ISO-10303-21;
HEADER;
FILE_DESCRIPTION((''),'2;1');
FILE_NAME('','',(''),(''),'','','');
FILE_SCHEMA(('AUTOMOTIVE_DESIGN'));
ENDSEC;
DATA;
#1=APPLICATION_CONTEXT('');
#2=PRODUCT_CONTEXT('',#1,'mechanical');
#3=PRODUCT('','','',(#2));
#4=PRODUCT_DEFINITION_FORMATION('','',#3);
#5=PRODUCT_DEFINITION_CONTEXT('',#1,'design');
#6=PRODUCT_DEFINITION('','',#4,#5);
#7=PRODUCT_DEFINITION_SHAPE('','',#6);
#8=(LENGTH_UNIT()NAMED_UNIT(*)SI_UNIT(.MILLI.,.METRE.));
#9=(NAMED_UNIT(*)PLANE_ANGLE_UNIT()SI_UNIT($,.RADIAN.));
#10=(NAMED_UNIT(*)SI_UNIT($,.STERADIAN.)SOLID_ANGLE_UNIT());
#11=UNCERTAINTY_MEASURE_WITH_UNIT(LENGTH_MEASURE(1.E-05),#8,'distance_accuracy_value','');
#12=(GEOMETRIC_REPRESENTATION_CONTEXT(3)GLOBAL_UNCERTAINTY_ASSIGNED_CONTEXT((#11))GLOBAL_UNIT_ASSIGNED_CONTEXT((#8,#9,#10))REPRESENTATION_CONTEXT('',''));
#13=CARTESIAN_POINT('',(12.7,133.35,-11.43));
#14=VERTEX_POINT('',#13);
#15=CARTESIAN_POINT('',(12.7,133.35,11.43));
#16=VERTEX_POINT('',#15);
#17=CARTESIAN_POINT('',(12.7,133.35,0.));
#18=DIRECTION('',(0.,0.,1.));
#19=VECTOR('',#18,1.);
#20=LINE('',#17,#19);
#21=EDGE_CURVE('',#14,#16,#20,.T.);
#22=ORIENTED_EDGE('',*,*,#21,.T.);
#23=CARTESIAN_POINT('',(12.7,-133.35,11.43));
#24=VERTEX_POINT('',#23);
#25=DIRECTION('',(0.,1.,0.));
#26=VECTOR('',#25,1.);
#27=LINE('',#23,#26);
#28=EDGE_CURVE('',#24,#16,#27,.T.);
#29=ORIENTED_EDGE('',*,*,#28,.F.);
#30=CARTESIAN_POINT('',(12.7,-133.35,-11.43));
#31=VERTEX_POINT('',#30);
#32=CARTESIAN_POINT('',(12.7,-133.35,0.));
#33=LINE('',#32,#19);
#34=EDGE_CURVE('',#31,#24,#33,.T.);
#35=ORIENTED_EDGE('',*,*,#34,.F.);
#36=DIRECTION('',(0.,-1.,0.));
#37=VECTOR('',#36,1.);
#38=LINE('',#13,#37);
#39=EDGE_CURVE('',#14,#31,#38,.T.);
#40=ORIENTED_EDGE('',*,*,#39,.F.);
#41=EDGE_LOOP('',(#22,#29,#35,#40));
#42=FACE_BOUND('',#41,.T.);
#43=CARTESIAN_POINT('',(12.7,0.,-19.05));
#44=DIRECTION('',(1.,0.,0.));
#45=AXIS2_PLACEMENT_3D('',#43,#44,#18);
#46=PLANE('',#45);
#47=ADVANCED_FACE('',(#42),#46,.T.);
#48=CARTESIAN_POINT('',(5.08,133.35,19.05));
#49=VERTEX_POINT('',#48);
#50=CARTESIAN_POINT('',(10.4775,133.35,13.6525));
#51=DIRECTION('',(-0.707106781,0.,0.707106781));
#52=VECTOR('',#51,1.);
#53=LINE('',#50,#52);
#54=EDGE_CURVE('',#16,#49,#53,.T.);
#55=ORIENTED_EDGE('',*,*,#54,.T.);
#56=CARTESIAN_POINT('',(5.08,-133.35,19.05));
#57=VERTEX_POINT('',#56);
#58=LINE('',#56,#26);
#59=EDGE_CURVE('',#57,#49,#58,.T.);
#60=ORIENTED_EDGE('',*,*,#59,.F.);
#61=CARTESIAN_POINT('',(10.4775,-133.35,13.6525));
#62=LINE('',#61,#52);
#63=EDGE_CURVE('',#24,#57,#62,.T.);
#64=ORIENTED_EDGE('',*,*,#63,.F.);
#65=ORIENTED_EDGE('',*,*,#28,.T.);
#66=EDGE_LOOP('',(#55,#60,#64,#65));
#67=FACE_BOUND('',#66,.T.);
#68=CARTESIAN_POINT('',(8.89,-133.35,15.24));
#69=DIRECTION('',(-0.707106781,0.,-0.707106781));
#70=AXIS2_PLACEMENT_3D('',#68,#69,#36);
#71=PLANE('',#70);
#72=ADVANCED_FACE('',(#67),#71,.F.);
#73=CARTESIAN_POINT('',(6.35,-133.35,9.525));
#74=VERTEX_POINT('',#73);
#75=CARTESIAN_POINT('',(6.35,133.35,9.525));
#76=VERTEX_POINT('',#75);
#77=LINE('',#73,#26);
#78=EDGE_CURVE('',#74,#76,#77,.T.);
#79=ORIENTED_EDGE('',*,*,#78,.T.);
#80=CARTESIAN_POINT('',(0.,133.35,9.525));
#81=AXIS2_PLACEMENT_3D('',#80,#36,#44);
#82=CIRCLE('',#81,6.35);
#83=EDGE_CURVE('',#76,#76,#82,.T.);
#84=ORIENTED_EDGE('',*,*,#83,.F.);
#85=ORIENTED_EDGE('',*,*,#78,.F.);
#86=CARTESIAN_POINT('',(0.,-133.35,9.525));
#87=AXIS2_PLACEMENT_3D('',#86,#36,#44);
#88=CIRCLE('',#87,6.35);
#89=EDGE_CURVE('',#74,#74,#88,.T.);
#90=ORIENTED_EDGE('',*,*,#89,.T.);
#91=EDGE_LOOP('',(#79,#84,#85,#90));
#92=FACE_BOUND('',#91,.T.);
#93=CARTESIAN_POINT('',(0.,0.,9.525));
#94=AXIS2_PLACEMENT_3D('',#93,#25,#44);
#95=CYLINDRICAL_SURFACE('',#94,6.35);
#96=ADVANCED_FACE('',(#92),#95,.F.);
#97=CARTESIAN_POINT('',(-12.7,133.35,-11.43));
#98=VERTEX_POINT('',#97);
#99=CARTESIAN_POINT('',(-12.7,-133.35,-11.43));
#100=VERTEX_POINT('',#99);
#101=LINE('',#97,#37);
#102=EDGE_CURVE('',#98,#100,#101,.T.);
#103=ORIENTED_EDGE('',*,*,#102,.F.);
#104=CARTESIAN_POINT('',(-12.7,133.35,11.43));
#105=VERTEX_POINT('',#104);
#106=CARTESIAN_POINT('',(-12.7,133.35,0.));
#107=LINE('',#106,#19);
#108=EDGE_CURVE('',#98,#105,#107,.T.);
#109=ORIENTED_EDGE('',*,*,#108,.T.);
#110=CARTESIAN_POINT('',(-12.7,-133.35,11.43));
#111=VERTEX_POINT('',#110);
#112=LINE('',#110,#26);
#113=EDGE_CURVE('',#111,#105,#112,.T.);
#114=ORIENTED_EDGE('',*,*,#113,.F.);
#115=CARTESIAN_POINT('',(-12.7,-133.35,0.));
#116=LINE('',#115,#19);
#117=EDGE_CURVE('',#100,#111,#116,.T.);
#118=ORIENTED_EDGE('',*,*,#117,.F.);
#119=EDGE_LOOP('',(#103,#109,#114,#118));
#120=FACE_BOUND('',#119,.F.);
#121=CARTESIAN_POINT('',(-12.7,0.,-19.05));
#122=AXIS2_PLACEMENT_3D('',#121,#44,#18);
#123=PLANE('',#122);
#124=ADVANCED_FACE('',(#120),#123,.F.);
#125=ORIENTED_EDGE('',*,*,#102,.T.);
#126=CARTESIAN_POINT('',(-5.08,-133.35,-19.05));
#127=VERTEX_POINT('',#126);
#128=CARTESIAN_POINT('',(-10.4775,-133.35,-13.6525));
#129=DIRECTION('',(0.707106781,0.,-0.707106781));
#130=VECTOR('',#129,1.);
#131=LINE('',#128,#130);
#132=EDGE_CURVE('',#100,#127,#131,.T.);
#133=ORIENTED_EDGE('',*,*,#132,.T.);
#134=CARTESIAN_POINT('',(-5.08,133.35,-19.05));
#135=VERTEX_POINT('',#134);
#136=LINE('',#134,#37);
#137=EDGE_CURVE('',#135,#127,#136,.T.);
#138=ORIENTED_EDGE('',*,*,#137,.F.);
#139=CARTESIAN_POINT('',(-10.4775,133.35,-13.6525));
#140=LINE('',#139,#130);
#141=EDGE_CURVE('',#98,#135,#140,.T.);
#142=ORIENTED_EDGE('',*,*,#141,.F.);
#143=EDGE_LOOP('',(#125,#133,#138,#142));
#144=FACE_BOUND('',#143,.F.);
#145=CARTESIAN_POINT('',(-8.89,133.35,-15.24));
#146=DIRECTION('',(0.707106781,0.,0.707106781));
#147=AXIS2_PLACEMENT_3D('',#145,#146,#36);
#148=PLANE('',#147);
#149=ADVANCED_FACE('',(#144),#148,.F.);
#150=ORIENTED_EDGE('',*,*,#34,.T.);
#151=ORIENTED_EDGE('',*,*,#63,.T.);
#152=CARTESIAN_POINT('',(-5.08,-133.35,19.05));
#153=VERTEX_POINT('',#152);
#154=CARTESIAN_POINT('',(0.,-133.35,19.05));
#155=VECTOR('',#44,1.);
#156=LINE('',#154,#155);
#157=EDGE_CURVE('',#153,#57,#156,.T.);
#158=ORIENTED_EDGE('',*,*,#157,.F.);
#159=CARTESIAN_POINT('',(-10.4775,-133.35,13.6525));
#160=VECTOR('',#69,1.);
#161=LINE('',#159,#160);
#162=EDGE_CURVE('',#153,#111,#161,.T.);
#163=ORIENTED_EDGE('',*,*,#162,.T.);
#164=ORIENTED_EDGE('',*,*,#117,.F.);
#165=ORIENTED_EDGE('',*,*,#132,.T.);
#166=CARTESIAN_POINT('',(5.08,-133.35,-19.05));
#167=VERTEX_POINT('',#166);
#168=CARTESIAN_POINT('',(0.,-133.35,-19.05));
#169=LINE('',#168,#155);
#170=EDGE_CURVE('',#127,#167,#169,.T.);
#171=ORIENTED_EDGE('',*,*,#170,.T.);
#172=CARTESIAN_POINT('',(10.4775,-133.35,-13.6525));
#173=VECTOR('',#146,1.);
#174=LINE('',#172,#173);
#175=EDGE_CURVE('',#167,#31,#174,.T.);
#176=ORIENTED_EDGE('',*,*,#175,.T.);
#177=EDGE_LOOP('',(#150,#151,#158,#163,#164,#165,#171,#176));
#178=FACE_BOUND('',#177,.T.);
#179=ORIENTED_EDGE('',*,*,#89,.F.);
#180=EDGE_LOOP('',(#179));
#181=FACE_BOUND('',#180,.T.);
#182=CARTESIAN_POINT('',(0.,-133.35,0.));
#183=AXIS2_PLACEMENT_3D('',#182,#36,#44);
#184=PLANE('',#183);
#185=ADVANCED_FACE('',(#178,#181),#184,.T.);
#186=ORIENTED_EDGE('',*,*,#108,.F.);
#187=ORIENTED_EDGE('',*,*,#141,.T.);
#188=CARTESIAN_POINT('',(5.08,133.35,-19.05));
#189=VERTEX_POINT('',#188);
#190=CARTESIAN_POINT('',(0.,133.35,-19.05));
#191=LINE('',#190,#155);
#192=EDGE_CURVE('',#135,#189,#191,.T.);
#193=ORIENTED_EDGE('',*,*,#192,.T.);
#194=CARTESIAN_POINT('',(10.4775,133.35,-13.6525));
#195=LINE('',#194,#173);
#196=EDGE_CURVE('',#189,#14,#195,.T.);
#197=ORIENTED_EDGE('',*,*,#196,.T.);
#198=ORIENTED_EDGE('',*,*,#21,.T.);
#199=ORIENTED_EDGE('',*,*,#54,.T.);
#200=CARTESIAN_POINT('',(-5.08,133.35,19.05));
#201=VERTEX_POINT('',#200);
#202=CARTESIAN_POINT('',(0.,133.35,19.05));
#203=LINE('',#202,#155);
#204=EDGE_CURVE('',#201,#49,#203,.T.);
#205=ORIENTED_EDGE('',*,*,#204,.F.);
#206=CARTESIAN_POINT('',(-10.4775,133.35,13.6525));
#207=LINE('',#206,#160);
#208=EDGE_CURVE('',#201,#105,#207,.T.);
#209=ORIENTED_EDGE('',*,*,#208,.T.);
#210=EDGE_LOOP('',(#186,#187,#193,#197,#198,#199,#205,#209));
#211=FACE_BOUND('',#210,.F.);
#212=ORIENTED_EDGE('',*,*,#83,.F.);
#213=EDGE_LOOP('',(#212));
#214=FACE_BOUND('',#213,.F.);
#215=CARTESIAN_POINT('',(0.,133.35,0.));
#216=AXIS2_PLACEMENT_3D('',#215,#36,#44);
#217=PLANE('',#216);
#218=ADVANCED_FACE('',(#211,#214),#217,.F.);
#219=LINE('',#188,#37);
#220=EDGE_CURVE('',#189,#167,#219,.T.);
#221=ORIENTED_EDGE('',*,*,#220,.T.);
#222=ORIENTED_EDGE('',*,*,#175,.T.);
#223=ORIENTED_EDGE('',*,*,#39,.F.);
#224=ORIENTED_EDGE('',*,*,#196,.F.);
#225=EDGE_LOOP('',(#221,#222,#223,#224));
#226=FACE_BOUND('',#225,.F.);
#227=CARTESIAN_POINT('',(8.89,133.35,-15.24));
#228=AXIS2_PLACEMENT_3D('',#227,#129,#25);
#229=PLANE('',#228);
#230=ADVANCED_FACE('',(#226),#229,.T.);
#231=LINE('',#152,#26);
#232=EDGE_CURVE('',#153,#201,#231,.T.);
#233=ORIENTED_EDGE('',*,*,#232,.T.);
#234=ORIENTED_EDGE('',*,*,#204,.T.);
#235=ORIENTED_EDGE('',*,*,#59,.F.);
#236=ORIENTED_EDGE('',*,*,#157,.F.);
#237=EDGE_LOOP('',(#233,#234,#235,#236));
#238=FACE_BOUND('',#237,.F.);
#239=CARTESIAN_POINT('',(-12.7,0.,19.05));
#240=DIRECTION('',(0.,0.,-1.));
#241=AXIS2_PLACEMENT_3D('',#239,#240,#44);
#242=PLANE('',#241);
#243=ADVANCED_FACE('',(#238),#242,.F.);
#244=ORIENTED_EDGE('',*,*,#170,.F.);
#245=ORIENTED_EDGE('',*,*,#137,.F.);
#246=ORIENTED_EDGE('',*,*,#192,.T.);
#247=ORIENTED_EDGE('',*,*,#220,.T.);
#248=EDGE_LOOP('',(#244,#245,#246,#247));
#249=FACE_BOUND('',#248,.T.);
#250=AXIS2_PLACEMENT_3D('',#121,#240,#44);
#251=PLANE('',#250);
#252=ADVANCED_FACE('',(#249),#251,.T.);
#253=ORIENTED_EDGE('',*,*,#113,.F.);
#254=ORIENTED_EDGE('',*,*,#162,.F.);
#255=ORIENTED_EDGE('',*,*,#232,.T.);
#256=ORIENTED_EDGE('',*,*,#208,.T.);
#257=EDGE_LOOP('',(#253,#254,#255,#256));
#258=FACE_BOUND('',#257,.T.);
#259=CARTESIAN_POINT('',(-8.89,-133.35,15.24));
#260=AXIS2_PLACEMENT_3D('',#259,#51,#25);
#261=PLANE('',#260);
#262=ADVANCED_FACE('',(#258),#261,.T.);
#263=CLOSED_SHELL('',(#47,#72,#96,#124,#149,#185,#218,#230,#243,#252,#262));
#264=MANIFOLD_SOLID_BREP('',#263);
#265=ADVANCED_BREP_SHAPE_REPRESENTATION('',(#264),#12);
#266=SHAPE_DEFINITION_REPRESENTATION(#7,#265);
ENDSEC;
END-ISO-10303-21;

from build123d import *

# Parameters (mm, degrees)
F0_W     = 25.4
F0_H     = 38.1
F0_R     = 6.35
F1_DEPTH = 133.35
F2_SIZE  = 7.62
F3_SIZE  = 7.62
F4_SIZE  = 7.62
F5_SIZE  = 7.62


with BuildPart() as f1:
    # F0 (on Front) → F1 (new body, symmetric)
    with BuildSketch(Plane.XZ):
        Rectangle(F0_W, F0_H)
        with Locations((0, 9.525)):
            Circle(F0_R, mode=Mode.SUBTRACT)
    extrude(amount=F1_DEPTH, both=True)

    # F2
    f2_edges = [f1.edges().sort_by_distance(p)[0] for p in [
        (12.7, 0, 19.05),
    ]]
    chamfer(f2_edges, length=F2_SIZE)

    # F3
    f3_edges = [f1.edges().sort_by_distance(p)[0] for p in [
        (-12.7, 0, 19.05),
    ]]
    chamfer(f3_edges, length=F3_SIZE)

    # F4
    f4_edges = [f1.edges().sort_by_distance(p)[0] for p in [
        (-12.7, 0, -19.05),
    ]]
    chamfer(f4_edges, length=F4_SIZE)

    # F5
    f5_edges = [f1.edges().sort_by_distance(p)[0] for p in [
        (12.7, 0, -19.05),
    ]]
    chamfer(f5_edges, length=F5_SIZE)


solid = f1.part
